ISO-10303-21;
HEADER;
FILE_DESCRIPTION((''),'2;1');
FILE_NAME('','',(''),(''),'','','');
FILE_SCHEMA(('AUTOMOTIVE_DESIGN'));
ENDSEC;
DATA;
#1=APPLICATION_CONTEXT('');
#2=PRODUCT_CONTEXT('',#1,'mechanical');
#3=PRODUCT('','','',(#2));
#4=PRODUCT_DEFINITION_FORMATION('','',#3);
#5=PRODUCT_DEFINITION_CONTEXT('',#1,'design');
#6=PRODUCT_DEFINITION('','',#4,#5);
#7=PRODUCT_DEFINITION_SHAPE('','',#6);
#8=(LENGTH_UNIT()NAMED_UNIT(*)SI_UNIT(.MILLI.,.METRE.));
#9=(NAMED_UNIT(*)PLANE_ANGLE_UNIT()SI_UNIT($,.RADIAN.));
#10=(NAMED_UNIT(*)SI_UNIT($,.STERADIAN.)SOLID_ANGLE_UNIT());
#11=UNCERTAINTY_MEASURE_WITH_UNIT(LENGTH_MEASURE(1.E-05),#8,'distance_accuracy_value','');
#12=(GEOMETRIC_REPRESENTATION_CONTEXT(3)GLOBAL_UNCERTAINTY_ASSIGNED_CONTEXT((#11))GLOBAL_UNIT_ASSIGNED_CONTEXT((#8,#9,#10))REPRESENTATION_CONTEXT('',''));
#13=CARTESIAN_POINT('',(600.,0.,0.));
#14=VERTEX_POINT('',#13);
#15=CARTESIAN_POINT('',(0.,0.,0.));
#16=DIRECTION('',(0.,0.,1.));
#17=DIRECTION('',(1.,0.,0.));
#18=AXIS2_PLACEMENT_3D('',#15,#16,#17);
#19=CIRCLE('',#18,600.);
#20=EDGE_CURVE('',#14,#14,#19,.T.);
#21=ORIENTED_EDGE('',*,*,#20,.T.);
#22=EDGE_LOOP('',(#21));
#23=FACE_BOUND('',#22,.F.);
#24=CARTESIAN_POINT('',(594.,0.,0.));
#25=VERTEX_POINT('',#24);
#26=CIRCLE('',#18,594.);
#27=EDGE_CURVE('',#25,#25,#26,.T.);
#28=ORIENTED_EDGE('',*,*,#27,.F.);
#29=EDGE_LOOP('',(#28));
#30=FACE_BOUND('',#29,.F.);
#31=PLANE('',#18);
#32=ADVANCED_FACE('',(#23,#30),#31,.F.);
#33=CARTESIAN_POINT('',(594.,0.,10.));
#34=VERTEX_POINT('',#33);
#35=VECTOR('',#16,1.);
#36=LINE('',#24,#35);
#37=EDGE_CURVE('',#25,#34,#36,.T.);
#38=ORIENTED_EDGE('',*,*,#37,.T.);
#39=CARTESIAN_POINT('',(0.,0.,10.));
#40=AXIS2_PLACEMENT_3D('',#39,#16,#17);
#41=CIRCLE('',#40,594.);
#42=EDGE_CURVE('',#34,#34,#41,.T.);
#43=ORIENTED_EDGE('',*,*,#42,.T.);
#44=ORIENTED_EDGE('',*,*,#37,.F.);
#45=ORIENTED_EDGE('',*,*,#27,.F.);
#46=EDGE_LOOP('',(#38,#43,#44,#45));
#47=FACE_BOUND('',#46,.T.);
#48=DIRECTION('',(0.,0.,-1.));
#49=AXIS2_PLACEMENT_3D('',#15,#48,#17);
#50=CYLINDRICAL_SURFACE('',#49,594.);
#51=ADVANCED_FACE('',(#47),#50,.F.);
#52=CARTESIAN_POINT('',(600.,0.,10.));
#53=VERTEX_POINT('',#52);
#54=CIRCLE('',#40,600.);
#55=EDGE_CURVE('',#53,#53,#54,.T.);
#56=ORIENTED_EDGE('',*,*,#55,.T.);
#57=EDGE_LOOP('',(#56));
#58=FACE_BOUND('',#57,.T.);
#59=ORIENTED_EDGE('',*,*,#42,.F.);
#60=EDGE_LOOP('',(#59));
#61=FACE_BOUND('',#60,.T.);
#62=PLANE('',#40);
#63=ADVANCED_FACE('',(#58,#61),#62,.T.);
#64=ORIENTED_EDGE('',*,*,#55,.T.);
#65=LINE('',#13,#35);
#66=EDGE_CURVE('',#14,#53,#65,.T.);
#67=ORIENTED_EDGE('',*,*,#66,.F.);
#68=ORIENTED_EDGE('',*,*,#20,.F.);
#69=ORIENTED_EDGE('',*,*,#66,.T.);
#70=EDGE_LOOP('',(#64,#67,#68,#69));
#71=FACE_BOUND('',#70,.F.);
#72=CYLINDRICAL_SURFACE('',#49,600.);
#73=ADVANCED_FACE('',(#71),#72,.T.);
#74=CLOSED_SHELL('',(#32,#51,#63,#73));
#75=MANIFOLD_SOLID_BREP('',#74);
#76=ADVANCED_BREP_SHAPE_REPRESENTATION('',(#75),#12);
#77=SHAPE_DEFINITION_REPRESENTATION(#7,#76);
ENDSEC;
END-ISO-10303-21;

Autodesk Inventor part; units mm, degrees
ref_plane "YZ Plane" through (0, 0, 0) normal (1, 0, 0) x (0, 1, 0)
ref_plane "XZ Plane" through (0, 0, 0) normal (0, 1, 0) x (-1, 0, 0)
ref_plane "XY Plane" through (0, 0, 0) normal (0, 0, 1) x (1, 0, 0)
sketch "Sketch1" plane through (0, 0, 0) normal (0, 0, 1) x (1, 0, 0)
  circle A0 centre (0, 0) radius 600
  circle A1 centre (0, 0) radius 594
  dimension "d0" = 1200
  dimension "d1" = 6
extrude "Extrusion1" add sketch "Sketch1" along normal blind 10
sketch "Sketch2" plane through (0, 0, 0) normal (0, 0, 1) x (1, 0, 0)
  circle A0 centre (0, 0) radius 517.8803 construction
  circle A1 centre (0, 0) radius 400.2499 construction
  circle A2 centre (0, 0) radius 256.3201 construction
  circle A3 centre (90, -90) radius 95
  circle A4 centre (-90, -90) radius 95
  circle A5 centre (-90, 90) radius 95
  circle A6 centre (90, 90) radius 95
  line L0 (90, 90) -> (-90, 90)
  line L1 (-90, 90) -> (-90, -90)
  line L2 (-90, -90) -> (90, -90)
  line L3 (90, -90) -> (90, 90)
  line L4 (90, 90) -> (-90, -90) construction
  line L5 (-90, 90) -> (90, -90) construction
  circle A7 centre (-240, -90) radius 95
  circle A8 centre (-390, -90) radius 95
  circle A9 centre (-510, -90) radius 95
  circle A10 centre (-90, -270) radius 95
  circle A11 centre (-90, -500) radius 95
  circle A12 centre (-290, -270) radius 95
  circle A13 centre (-450, -270) radius 95
  circle A14 centre (-340, -400) radius 95
  circle A15 centre (-240, 90) radius 95
  circle A16 centre (-390, 90) radius 95
  circle A17 centre (-510, 90) radius 95
  line L6 (-90, -90) -> (-510, -90)
  line L7 (0, 0) -> (0, -500)
  line L8 (0, -500) -> (-90, -500)
  line L9 (0, -400) -> (-340, -400)
  line L10 (0, -270) -> (-450, -270)
  circle A18 centre (-190, -400) radius 95
  dimension "d4" = 190
  dimension "d7" = 90
  dimension "d8" = 270
  dimension "d9" = 400
  dimension "d10" = 500
  dimension "d11" = 240
  dimension "d12" = 390
  dimension "d13" = 510
  dimension "d14" = 90
  dimension "d15" = 90
  dimension "d16" = 290
  dimension "d17" = 450
  dimension "d18" = 190
  dimension "d19" = 340
  dimension "d20" = 90
sketch "Sketch3" plane through (0, 0, 0) normal (0, 0, 1) x (1, 0, 0)
  circle A0 centre (-104.0992, -233.3488) radius 95
  circle A1 centre (-161.9131, -395.3117) radius 95
  circle A2 centre (-91.7953, -514.3257) radius 95
  circle A3 centre (-280.9346, -260.412) radius 95
  circle A4 centre (-299.5406, -418.8761) radius 95
  circle A5 centre (-250.7395, 99.5106) radius 95
  circle A6 centre (-395.8303, 87.9315) radius 95
  circle A7 centre (-535.2648, 91.0733) radius 95
  circle A8 centre (-460.3613, -287.8718) radius 95
  circle A9 centre (-531.2922, -111.9436) radius 95
  circle A10 centre (-392.3143, -102.4845) radius 95
  circle A11 centre (0, 0) radius 542.9574 construction
  circle A12 centre (-253.2201, -93.0176) radius 95
  circle A13 centre (-90.4998, -81.9426) radius 95
  circle A14 centre (85.6841, -88.1302) radius 95
  circle A15 centre (-90.4998, 88.0537) radius 95
  circle A16 centre (0, 0) radius 405.4794 construction
  circle A17 centre (0, 0) radius 269.7641 construction
  circle A18 centre (85.6841, 88.0537) radius 95
  line L0 (0, 0) -> (0, -542.9574)
  line L1 (0, -75.783) -> (-531.2922, -111.9436)
  line L2 (0, -217.4173) -> (-460.3613, -287.8718)
  circle A19 centre (0, 0) radius 600
  line L3 (0, -367.5891) -> (-299.5406, -418.8761)
  line L4 (-91.7953, -514.3257) -> (0, -514.3257)
  point P0 (0, 0)
  dimension "d21" = 190
  dimension "d22" = 1200
equation "\"d14\" = d7"
equation "\"d15\" = d7"
equation "\"BendRadius\" = Thickness"
equation "\"BendReliefWidth\" = Thickness"
equation "\"BendReliefDepth\" = 0.5 * Thickness"
equation "\"CornerReliefSize\" = 4 * Thickness"
equation "\"MinimumRemnant\" = 2 * Thickness"
equation "\"TransitionRadius\" = BendRadius"
equation "\"JacobiRadiusSize\" = BendRadius"
equation "\"GapSize\" = Thickness"
equation "\"way_tube_L1\" = 1"
equation "\"way_tube_L2\" = 1"
equation "\"way_tube_L3\" = 1"
equation "\"way_tube_L4\" = 1"
equation "\"way_tube_L5\" = 120"
equation "\"way_tube_L6\" = 90"
equation "\"way_tube_L7\" = 20"
equation "\"way_tube_L8\" = 90"
equation "\"way_tube_L9\" = 80"
equation "\"way_tube_L10\" = 80"
equation "\"Thickness\" = 3.048"
properties part number "TZS 1699 DIM filter-distribution-system 940"
